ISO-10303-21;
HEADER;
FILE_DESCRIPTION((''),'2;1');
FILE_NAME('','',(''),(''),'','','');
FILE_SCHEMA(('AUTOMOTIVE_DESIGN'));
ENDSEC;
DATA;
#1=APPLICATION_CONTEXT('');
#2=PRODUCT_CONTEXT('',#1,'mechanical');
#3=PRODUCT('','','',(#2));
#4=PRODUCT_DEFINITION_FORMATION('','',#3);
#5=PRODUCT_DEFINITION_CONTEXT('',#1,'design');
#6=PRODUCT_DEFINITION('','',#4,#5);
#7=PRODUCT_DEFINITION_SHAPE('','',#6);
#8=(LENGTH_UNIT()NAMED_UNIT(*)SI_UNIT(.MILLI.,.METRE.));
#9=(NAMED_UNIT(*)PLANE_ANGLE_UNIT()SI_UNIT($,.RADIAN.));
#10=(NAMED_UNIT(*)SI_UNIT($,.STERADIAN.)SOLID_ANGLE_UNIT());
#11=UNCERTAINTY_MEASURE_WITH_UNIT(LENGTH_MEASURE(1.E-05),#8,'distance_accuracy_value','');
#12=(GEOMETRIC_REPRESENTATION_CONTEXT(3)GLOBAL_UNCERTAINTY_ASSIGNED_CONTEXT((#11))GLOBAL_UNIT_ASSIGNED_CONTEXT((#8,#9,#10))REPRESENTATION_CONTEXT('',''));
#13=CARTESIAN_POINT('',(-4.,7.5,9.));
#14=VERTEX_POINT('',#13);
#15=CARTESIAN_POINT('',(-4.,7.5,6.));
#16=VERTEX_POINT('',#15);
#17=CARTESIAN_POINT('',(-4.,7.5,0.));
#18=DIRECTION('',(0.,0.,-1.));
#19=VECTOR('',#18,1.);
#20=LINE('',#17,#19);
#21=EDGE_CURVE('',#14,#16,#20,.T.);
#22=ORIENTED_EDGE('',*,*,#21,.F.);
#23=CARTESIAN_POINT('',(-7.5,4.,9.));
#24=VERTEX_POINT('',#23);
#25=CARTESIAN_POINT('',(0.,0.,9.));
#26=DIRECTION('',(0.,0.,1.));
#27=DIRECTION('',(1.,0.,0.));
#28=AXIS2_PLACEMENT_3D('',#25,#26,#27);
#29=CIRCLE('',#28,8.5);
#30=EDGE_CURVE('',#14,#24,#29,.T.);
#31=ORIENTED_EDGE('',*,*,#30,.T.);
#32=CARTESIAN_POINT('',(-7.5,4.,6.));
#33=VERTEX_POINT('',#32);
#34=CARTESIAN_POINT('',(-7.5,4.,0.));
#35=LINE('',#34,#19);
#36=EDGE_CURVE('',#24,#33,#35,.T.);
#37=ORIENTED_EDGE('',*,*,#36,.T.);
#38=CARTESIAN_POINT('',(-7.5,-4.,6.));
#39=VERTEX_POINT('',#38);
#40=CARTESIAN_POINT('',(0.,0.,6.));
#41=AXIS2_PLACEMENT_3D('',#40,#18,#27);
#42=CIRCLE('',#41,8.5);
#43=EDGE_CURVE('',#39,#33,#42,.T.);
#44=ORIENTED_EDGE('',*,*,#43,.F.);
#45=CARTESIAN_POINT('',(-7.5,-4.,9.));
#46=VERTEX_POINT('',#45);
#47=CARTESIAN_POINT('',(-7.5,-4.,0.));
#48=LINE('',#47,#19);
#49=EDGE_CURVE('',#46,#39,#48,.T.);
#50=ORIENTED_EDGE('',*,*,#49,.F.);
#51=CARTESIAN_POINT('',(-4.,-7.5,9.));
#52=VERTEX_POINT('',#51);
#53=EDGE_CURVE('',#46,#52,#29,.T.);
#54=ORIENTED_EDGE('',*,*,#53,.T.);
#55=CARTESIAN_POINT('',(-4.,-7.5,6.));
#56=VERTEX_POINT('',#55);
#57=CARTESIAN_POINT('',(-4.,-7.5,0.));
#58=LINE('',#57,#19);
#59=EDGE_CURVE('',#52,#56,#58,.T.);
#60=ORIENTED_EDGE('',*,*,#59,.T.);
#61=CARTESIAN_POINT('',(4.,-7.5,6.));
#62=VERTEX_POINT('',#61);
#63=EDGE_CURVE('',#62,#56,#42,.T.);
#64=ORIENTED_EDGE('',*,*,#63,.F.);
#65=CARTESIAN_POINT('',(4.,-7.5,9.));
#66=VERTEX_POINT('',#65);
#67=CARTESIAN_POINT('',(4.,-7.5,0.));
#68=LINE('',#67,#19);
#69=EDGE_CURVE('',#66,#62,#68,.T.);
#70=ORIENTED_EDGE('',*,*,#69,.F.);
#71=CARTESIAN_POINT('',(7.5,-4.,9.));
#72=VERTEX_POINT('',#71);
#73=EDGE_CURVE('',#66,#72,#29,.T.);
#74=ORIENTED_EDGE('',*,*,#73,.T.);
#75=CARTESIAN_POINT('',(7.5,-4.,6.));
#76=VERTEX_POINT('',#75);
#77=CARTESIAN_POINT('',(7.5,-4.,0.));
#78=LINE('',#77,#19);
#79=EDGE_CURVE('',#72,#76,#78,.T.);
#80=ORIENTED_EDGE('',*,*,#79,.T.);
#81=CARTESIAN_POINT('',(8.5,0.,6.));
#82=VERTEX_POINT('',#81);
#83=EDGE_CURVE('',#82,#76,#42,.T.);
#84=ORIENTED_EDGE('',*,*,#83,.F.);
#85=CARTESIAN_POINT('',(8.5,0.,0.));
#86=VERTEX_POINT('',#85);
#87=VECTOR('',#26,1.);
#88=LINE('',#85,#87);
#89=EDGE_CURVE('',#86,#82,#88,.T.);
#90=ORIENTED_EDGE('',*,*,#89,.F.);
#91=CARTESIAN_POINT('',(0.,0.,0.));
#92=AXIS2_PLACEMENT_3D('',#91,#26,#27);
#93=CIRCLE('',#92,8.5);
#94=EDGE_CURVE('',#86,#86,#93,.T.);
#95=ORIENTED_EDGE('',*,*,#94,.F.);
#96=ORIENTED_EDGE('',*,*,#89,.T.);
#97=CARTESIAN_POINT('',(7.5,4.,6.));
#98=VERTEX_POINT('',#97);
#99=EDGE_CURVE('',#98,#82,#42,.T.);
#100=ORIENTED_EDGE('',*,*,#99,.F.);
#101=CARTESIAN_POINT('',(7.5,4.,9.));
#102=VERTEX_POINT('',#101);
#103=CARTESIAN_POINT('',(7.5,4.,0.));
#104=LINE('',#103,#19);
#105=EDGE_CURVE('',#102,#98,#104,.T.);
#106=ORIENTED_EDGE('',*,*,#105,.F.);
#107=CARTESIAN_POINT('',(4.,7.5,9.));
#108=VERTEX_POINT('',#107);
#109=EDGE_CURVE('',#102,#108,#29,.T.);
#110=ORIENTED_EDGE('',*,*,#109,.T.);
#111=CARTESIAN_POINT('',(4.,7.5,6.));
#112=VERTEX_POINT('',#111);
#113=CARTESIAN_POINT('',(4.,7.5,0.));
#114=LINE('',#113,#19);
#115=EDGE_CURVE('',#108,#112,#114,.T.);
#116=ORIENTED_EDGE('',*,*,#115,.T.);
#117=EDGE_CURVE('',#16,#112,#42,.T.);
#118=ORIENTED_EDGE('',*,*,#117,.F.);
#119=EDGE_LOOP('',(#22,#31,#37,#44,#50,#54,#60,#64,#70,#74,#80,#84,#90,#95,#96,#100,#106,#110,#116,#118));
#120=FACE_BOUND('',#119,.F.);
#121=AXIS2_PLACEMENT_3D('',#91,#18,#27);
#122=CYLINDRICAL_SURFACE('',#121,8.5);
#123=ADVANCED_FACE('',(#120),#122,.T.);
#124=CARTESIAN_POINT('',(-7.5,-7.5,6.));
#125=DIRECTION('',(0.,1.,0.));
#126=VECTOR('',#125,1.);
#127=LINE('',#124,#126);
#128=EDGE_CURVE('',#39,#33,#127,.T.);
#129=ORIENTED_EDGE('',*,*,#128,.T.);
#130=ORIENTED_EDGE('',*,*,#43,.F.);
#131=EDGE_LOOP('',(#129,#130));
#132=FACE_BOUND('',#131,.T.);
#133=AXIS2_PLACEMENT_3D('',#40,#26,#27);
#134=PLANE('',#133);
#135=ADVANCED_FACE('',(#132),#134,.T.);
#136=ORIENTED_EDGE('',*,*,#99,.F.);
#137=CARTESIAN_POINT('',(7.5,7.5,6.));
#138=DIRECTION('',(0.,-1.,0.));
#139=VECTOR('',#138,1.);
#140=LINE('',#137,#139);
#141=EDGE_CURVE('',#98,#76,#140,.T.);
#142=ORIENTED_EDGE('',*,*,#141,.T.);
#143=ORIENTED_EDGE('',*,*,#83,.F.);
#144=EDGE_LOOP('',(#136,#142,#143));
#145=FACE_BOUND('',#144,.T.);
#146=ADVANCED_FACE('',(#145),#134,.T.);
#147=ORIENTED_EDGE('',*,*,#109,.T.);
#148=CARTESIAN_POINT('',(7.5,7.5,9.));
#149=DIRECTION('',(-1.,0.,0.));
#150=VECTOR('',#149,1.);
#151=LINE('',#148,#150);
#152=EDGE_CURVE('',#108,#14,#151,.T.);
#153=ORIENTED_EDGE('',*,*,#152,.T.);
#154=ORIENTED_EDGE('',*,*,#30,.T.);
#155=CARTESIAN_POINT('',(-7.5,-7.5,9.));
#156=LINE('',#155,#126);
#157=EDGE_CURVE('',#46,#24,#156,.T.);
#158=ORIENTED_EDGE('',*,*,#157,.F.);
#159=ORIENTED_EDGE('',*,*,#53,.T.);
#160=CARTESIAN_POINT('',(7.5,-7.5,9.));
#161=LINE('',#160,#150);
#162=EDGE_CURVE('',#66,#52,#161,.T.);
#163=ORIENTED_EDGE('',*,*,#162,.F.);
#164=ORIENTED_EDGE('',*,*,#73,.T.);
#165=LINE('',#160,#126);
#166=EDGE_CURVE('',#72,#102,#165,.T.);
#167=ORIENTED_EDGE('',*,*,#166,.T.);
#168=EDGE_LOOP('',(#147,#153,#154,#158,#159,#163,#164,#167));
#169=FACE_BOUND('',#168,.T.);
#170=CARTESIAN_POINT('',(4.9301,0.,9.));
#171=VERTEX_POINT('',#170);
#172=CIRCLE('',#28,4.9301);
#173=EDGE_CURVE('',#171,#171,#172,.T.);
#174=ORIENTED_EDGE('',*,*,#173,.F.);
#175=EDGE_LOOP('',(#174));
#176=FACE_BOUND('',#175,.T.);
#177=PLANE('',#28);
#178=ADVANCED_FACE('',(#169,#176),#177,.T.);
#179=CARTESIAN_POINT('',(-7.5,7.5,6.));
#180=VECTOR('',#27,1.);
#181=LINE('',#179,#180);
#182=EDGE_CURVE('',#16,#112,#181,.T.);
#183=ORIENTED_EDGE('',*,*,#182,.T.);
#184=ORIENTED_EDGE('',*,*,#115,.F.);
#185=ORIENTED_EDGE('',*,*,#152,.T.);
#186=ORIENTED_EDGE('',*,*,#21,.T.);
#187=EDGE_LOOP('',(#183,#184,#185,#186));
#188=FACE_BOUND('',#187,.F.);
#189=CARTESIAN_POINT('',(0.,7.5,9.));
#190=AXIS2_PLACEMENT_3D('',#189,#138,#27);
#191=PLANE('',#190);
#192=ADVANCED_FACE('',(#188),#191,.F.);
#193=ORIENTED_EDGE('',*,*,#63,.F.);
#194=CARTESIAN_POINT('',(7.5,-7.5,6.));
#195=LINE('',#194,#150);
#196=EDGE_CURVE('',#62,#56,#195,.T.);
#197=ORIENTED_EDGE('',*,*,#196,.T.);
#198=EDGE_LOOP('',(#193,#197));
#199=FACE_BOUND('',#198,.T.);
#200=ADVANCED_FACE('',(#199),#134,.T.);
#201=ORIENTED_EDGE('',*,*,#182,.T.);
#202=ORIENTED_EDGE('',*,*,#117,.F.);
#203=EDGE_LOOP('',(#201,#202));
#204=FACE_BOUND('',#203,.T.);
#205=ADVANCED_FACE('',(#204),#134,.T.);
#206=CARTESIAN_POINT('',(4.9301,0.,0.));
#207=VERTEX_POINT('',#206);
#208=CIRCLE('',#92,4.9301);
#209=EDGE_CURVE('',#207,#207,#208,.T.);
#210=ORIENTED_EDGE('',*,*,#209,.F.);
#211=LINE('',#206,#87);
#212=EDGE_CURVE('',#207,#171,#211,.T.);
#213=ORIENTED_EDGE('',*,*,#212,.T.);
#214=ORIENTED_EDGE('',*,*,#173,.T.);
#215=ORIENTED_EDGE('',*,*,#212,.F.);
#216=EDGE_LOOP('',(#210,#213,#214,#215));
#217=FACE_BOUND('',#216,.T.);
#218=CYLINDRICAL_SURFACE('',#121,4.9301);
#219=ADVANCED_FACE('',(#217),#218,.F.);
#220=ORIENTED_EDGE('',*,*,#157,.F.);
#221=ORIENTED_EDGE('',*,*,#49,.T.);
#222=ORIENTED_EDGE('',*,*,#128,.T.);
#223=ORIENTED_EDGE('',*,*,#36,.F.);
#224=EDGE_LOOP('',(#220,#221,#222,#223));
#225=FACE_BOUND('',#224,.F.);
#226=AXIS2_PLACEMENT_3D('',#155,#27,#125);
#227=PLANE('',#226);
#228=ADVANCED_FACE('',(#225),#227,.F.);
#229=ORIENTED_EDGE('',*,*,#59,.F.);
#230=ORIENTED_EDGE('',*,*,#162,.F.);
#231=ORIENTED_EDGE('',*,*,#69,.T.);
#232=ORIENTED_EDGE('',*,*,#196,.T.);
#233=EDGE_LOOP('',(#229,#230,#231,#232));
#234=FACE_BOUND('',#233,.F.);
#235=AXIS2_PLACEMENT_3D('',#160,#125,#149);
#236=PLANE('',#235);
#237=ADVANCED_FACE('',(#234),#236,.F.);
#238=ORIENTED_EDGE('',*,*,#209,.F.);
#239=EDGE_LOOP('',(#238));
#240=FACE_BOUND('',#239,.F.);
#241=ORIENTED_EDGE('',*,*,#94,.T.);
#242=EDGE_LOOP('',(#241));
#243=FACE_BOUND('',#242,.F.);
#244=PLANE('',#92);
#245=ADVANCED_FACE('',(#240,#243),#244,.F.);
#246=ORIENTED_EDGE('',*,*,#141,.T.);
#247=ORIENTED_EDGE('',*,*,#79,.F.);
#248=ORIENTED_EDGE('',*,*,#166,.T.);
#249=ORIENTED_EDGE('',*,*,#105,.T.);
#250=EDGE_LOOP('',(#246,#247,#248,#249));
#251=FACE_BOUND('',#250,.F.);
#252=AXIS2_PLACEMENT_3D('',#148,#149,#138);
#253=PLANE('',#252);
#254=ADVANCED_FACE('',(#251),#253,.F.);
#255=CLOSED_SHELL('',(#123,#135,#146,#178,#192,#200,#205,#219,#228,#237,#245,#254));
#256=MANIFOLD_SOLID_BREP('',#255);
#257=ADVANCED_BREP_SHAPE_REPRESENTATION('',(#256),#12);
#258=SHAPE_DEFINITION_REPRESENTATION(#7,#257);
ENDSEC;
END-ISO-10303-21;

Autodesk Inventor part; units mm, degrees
ref_plane "YZ Plane" through (0, 0, 0) normal (1, 0, 0) x (0, 1, 0)
ref_plane "XZ Plane" through (0, 0, 0) normal (0, 1, 0) x (-1, 0, 0)
ref_plane "XY Plane" through (0, 0, 0) normal (0, 0, 1) x (1, 0, 0)
sketch "Sketch1" plane through (0, 0, 0) normal (0, 0, 1) x (1, 0, 0)
  circle A0 centre (0, 0) radius 4.9301
  circle A1 centre (0, 0) radius 8.5
  dimension "d0" = 9.8602
  dimension "d1" = 17
extrude "Extrusion1" add sketch "Sketch1" along normal blind 9
sketch "Sketch2" plane through (0, 0, 9) normal (0, 0, 1) x (1, 0, 0)
  line L0 (-7.5, 7.5) -> (7.5, 7.5)
  line L1 (7.5, 7.5) -> (7.5, -7.5)
  line L2 (7.5, -7.5) -> (-7.5, -7.5)
  line L3 (-7.5, -7.5) -> (-7.5, 7.5)
  line L4 (0, 0) -> (0, 8.3867)
  line L5 (0, 0) -> (9.7878, 0)
  circle A0 centre (0, 0) radius 10.6066
  point P0 (0, 7.5)
  point P1 (7.5, 0)
  dimension "d4" = 15
extrude "Extrusion2" cut sketch "Sketch2" against normal blind 3 contours A0 L0 | L3 A0 | L2 A0 | A0 L1
properties part number "TuercaD_eje" material "Steel"
